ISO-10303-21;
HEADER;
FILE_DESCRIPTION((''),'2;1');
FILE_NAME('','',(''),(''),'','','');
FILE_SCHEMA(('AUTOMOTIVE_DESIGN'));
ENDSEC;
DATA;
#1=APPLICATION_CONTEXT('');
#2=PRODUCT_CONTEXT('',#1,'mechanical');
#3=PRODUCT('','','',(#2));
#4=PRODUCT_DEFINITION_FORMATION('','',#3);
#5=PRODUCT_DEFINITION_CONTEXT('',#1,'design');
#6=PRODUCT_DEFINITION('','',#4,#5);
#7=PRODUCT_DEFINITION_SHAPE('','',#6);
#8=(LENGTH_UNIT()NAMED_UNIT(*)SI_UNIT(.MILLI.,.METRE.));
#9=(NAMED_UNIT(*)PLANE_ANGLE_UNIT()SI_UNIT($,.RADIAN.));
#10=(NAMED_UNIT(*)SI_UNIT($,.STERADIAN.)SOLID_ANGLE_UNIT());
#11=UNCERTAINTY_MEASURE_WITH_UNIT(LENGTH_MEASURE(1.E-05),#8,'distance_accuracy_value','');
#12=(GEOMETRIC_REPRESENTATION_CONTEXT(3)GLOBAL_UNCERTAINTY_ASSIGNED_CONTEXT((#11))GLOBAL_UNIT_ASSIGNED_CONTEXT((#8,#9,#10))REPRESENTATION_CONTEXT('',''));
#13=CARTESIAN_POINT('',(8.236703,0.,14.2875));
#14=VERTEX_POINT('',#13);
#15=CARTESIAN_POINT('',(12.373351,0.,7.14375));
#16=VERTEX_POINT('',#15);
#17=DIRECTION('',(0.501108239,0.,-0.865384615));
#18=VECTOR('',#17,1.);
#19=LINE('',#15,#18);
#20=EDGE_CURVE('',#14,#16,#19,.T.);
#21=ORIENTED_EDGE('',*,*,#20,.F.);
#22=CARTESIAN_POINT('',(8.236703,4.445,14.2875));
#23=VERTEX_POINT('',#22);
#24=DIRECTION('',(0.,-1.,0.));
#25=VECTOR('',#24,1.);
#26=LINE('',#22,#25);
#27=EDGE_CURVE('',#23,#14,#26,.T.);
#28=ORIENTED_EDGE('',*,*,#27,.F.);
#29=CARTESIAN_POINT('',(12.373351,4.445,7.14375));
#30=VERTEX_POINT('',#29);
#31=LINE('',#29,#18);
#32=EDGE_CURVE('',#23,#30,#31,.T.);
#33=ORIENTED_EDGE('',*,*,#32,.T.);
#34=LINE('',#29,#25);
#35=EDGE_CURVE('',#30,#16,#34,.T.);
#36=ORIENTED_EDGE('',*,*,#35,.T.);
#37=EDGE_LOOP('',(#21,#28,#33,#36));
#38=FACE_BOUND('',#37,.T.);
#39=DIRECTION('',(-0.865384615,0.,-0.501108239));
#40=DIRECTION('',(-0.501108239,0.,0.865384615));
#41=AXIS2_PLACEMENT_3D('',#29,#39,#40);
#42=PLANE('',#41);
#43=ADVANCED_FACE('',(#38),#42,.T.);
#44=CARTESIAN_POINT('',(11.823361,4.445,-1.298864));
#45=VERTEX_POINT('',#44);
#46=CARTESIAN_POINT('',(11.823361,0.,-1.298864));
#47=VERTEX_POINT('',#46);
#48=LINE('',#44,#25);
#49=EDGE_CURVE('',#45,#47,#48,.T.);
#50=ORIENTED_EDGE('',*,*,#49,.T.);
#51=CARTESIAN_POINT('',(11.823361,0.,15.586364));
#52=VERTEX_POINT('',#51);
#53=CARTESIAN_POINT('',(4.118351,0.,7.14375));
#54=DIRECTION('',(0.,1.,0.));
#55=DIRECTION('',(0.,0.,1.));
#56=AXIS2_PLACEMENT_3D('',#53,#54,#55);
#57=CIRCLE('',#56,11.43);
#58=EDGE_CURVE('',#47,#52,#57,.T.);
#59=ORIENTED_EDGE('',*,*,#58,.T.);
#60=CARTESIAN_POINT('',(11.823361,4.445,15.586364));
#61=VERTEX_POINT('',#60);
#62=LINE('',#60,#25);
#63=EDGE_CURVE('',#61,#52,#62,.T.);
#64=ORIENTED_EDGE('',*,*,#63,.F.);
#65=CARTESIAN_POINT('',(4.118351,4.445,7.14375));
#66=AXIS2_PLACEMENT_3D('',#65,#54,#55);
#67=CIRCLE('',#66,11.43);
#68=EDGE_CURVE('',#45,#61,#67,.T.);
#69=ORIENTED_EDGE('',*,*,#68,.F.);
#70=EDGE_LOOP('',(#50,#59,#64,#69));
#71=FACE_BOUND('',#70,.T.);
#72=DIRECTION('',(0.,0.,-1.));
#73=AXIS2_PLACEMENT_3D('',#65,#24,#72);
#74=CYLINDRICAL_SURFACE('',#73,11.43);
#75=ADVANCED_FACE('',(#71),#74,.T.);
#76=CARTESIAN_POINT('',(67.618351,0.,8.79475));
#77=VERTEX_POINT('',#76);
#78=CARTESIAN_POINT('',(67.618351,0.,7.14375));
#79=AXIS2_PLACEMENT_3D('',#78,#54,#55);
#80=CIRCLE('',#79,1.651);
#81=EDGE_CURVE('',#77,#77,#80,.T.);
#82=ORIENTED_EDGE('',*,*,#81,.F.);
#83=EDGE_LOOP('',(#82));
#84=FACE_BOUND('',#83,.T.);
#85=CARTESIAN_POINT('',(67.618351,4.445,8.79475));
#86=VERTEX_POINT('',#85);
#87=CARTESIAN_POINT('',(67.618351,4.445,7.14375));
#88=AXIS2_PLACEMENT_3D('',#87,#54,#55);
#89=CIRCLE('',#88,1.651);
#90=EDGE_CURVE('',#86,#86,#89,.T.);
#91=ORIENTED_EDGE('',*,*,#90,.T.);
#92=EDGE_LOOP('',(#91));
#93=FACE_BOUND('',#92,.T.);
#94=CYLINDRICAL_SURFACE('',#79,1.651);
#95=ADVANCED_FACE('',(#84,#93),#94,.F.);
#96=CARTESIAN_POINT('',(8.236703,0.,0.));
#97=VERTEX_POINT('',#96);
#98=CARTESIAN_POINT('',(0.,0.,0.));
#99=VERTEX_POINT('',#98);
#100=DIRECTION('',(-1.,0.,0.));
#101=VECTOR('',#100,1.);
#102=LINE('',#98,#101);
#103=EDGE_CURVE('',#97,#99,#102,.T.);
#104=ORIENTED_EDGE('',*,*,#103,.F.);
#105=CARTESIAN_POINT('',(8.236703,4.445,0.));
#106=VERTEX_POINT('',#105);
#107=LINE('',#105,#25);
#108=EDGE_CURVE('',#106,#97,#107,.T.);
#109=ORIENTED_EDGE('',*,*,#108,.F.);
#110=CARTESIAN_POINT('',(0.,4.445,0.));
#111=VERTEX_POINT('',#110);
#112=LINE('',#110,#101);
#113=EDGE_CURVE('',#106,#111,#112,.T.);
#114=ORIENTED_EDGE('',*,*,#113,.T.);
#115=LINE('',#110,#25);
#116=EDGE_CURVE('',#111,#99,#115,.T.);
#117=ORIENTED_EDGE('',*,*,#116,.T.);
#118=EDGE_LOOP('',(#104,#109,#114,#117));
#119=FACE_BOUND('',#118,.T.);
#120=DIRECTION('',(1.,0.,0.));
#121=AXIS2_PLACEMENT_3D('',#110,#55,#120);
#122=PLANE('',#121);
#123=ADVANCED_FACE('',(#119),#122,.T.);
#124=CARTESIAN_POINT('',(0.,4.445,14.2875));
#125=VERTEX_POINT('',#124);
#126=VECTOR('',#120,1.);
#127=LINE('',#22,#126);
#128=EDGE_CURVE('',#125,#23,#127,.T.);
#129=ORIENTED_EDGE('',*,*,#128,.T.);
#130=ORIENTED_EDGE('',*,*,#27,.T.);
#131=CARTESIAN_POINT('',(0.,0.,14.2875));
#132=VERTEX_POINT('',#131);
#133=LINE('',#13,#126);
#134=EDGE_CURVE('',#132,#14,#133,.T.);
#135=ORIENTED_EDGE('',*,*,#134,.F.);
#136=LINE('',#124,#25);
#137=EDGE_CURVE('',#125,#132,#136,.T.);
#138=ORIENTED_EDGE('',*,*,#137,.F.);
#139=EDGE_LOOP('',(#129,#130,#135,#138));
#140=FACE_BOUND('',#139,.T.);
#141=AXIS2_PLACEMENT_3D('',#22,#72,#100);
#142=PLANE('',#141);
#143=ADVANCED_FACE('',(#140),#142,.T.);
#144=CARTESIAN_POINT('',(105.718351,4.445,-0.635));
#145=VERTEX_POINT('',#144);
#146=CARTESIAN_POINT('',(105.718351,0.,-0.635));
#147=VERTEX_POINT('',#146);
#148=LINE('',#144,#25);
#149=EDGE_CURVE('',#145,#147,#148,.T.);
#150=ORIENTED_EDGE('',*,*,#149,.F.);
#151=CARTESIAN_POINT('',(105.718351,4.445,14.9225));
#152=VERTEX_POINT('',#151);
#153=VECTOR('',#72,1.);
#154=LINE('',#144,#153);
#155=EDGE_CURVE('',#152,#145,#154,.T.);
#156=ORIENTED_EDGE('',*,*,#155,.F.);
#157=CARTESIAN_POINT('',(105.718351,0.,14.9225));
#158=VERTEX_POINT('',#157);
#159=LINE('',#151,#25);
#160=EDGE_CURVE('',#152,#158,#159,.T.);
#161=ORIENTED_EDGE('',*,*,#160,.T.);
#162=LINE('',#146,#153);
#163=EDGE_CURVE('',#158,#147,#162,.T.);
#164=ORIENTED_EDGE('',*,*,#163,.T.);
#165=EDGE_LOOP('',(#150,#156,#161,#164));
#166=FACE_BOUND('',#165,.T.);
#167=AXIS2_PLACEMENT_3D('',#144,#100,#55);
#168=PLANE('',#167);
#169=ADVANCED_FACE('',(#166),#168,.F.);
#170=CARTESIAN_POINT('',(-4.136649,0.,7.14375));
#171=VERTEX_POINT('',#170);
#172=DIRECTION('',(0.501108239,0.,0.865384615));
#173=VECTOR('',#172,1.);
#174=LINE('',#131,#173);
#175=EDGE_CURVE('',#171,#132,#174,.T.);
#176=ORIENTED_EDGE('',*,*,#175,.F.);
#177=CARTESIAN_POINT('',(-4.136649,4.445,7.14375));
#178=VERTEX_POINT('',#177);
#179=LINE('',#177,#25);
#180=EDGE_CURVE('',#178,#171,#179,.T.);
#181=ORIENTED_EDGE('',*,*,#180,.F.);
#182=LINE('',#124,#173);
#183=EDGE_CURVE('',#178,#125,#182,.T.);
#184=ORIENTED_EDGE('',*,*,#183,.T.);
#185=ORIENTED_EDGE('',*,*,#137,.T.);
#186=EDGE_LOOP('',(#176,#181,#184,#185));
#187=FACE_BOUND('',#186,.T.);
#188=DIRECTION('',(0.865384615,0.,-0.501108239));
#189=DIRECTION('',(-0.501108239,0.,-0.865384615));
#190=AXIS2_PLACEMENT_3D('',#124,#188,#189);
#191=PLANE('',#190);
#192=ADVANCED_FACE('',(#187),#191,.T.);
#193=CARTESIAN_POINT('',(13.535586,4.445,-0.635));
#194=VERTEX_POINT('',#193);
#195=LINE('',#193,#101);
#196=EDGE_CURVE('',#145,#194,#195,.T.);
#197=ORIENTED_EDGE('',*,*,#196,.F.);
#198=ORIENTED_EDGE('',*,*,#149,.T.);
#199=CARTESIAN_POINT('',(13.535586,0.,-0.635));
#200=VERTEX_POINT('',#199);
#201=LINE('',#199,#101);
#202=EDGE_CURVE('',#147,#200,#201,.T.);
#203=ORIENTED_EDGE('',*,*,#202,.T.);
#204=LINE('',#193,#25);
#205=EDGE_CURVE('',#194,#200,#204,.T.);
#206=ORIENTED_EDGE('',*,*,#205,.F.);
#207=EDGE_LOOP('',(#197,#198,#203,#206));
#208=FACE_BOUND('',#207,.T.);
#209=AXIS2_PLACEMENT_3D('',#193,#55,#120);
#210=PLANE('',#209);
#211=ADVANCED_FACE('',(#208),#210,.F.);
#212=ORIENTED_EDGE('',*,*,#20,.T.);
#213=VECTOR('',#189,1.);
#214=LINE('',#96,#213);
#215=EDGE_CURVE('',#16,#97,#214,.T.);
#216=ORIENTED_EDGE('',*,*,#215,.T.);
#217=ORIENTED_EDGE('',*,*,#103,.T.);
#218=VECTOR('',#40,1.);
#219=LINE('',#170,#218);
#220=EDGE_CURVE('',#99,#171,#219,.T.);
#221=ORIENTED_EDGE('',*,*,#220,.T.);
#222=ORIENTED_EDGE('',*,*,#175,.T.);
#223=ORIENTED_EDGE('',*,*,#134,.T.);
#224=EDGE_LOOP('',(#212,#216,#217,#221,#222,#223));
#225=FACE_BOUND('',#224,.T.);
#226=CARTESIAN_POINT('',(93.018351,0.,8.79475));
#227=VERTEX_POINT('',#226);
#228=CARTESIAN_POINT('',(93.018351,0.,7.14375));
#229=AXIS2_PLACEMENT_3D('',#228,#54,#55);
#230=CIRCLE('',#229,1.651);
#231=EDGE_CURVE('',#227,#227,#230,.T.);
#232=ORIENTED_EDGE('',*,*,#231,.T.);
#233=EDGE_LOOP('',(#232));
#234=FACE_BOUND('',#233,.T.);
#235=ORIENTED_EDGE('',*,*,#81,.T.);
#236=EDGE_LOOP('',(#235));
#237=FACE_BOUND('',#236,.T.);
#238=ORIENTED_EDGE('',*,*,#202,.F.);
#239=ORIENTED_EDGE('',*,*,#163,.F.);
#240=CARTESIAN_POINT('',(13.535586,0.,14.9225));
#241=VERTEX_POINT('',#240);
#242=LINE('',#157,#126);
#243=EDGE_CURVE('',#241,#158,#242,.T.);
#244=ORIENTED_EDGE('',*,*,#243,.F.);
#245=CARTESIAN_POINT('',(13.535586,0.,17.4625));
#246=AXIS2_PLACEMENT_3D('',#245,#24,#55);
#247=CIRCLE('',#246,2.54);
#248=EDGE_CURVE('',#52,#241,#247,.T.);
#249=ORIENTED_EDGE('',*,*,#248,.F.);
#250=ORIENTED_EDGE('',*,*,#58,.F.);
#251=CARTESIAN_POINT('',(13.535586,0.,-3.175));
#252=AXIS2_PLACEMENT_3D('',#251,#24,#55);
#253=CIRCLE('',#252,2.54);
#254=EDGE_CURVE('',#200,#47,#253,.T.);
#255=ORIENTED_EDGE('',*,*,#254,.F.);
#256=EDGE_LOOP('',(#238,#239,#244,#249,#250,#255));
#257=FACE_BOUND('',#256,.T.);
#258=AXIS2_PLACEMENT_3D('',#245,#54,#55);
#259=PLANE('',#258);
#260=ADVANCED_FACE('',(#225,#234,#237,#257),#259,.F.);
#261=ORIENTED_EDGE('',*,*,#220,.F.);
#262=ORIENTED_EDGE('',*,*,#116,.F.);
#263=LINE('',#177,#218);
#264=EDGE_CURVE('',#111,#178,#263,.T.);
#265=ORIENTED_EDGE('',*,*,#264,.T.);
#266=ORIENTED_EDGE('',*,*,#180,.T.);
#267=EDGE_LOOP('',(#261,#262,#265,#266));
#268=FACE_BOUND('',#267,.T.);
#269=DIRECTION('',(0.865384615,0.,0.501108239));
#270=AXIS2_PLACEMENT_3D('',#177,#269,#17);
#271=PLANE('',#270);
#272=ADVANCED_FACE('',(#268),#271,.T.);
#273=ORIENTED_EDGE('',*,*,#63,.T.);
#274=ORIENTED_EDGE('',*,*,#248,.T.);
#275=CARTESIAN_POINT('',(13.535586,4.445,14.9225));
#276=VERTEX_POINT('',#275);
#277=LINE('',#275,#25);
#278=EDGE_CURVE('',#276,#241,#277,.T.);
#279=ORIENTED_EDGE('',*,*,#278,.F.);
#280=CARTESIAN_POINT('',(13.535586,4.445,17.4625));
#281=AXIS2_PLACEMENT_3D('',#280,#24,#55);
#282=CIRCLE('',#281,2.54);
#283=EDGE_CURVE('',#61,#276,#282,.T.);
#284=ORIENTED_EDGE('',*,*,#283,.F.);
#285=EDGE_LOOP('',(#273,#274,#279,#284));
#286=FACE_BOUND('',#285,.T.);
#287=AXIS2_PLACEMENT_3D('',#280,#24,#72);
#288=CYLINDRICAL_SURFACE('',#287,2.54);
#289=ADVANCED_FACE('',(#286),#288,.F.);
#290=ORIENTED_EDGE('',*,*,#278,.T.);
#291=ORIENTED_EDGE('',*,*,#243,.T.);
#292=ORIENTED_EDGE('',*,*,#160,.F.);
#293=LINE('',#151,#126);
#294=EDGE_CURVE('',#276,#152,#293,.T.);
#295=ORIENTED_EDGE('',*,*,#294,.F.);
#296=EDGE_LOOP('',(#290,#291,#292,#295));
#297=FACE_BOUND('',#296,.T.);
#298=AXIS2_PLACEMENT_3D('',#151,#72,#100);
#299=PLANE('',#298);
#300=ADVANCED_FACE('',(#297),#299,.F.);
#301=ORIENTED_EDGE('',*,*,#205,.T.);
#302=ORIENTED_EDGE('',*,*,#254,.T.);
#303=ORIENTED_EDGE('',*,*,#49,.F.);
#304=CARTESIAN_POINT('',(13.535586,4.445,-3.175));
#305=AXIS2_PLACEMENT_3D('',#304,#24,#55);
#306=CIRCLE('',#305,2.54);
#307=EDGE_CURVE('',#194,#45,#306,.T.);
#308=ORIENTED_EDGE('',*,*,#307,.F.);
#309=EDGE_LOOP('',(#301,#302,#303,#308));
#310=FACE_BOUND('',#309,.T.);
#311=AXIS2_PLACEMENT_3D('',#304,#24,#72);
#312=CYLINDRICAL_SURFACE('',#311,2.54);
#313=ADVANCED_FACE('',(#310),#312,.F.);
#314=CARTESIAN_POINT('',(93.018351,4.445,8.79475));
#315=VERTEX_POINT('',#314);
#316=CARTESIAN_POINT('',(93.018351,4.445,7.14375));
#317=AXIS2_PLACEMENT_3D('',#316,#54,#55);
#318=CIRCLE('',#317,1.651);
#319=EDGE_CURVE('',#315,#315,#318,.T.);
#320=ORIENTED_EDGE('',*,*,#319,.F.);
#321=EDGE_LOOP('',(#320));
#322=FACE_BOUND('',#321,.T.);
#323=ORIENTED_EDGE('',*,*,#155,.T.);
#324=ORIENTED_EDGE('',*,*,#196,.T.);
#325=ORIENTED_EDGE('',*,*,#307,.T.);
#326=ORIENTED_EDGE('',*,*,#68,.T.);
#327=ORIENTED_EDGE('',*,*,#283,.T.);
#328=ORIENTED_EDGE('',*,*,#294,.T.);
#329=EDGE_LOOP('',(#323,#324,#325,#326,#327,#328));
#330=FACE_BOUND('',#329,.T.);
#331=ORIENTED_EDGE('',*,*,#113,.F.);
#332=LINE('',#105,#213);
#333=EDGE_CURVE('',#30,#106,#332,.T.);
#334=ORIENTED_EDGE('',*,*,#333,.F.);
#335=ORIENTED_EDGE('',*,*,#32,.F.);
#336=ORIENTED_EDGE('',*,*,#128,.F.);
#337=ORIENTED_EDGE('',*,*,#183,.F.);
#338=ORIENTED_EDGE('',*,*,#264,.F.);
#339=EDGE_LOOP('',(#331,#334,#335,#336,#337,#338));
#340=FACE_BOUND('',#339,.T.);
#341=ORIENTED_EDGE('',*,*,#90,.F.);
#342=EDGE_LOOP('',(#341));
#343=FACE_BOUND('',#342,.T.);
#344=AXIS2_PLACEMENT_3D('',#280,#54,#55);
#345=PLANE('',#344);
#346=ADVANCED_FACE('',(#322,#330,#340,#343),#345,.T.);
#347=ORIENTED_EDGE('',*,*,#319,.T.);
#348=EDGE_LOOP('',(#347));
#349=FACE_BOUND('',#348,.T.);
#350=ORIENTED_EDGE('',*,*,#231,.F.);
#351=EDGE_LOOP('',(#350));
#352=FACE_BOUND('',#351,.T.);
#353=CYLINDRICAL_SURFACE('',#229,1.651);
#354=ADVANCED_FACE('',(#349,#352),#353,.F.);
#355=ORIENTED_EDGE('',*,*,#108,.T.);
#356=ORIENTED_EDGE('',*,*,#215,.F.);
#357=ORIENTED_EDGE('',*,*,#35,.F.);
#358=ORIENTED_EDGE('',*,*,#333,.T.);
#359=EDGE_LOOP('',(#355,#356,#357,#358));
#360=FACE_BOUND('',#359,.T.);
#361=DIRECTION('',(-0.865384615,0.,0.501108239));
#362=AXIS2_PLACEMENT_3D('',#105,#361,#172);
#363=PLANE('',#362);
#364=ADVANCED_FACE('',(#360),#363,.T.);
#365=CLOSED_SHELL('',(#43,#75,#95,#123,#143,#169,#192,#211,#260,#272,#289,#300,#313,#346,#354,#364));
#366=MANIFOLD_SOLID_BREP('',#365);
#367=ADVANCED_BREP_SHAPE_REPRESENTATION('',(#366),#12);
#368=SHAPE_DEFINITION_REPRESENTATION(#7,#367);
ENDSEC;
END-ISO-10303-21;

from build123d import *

# Parameters (mm, degrees)
BOSS_EXTRUDE1_DEPTH = 4.445
SKETCH2_R           = 1.651
CUT_EXTRUDE1_DEPTH  = 108.429567879


with BuildPart() as part:
    # Sketch1 → Boss-Extrude1 (new body)
    with BuildSketch(Plane(origin=(0, 0, 0), x_dir=(1, 0, 0), z_dir=(0, 1, 0))):
        with BuildLine():
            Line((13.535585603, 0.635), (105.718351485, 0.635))
            Line((105.718351485, 0.635), (105.718351485, -14.9225))
            Line((105.718351485, -14.9225), (13.535585603, -14.9225))
            ThreePointArc((13.535585603, -14.9225), (12.61737712, -15.094274254), (11.823361218, -15.586363636))
            ThreePointArc((11.823361218, -15.586363636), (-7.311648515, -7.14375), (11.823361218, 1.298863636))
            ThreePointArc((11.823361218, 1.298863636), (12.61737712, 0.806774254), (13.535585603, 0.635))
        make_face()
        Polygon((0, 0), (8.23670297, 0), (12.373351485, -7.14375), (8.23670297, -14.2875), (0, -14.2875), (-4.136648515, -7.14375), align=None, mode=Mode.SUBTRACT)
    extrude(amount=BOSS_EXTRUDE1_DEPTH)

    # Sketch2 → Cut-Extrude1 (cut, through all)
    with BuildSketch(Plane(origin=(0, 4.445, 0), x_dir=(1, 0, 0), z_dir=(0, 1, 0))):
        with Locations(Location((93.018351485, -7.14375, 0), (0, 0, 270))):
            Circle(SKETCH2_R)
        with Locations(Location((67.618351485, -7.14375, 0), (0, 0, 270))):
            Circle(SKETCH2_R)
    extrude(amount=-CUT_EXTRUDE1_DEPTH, mode=Mode.SUBTRACT)


solid = part.part
